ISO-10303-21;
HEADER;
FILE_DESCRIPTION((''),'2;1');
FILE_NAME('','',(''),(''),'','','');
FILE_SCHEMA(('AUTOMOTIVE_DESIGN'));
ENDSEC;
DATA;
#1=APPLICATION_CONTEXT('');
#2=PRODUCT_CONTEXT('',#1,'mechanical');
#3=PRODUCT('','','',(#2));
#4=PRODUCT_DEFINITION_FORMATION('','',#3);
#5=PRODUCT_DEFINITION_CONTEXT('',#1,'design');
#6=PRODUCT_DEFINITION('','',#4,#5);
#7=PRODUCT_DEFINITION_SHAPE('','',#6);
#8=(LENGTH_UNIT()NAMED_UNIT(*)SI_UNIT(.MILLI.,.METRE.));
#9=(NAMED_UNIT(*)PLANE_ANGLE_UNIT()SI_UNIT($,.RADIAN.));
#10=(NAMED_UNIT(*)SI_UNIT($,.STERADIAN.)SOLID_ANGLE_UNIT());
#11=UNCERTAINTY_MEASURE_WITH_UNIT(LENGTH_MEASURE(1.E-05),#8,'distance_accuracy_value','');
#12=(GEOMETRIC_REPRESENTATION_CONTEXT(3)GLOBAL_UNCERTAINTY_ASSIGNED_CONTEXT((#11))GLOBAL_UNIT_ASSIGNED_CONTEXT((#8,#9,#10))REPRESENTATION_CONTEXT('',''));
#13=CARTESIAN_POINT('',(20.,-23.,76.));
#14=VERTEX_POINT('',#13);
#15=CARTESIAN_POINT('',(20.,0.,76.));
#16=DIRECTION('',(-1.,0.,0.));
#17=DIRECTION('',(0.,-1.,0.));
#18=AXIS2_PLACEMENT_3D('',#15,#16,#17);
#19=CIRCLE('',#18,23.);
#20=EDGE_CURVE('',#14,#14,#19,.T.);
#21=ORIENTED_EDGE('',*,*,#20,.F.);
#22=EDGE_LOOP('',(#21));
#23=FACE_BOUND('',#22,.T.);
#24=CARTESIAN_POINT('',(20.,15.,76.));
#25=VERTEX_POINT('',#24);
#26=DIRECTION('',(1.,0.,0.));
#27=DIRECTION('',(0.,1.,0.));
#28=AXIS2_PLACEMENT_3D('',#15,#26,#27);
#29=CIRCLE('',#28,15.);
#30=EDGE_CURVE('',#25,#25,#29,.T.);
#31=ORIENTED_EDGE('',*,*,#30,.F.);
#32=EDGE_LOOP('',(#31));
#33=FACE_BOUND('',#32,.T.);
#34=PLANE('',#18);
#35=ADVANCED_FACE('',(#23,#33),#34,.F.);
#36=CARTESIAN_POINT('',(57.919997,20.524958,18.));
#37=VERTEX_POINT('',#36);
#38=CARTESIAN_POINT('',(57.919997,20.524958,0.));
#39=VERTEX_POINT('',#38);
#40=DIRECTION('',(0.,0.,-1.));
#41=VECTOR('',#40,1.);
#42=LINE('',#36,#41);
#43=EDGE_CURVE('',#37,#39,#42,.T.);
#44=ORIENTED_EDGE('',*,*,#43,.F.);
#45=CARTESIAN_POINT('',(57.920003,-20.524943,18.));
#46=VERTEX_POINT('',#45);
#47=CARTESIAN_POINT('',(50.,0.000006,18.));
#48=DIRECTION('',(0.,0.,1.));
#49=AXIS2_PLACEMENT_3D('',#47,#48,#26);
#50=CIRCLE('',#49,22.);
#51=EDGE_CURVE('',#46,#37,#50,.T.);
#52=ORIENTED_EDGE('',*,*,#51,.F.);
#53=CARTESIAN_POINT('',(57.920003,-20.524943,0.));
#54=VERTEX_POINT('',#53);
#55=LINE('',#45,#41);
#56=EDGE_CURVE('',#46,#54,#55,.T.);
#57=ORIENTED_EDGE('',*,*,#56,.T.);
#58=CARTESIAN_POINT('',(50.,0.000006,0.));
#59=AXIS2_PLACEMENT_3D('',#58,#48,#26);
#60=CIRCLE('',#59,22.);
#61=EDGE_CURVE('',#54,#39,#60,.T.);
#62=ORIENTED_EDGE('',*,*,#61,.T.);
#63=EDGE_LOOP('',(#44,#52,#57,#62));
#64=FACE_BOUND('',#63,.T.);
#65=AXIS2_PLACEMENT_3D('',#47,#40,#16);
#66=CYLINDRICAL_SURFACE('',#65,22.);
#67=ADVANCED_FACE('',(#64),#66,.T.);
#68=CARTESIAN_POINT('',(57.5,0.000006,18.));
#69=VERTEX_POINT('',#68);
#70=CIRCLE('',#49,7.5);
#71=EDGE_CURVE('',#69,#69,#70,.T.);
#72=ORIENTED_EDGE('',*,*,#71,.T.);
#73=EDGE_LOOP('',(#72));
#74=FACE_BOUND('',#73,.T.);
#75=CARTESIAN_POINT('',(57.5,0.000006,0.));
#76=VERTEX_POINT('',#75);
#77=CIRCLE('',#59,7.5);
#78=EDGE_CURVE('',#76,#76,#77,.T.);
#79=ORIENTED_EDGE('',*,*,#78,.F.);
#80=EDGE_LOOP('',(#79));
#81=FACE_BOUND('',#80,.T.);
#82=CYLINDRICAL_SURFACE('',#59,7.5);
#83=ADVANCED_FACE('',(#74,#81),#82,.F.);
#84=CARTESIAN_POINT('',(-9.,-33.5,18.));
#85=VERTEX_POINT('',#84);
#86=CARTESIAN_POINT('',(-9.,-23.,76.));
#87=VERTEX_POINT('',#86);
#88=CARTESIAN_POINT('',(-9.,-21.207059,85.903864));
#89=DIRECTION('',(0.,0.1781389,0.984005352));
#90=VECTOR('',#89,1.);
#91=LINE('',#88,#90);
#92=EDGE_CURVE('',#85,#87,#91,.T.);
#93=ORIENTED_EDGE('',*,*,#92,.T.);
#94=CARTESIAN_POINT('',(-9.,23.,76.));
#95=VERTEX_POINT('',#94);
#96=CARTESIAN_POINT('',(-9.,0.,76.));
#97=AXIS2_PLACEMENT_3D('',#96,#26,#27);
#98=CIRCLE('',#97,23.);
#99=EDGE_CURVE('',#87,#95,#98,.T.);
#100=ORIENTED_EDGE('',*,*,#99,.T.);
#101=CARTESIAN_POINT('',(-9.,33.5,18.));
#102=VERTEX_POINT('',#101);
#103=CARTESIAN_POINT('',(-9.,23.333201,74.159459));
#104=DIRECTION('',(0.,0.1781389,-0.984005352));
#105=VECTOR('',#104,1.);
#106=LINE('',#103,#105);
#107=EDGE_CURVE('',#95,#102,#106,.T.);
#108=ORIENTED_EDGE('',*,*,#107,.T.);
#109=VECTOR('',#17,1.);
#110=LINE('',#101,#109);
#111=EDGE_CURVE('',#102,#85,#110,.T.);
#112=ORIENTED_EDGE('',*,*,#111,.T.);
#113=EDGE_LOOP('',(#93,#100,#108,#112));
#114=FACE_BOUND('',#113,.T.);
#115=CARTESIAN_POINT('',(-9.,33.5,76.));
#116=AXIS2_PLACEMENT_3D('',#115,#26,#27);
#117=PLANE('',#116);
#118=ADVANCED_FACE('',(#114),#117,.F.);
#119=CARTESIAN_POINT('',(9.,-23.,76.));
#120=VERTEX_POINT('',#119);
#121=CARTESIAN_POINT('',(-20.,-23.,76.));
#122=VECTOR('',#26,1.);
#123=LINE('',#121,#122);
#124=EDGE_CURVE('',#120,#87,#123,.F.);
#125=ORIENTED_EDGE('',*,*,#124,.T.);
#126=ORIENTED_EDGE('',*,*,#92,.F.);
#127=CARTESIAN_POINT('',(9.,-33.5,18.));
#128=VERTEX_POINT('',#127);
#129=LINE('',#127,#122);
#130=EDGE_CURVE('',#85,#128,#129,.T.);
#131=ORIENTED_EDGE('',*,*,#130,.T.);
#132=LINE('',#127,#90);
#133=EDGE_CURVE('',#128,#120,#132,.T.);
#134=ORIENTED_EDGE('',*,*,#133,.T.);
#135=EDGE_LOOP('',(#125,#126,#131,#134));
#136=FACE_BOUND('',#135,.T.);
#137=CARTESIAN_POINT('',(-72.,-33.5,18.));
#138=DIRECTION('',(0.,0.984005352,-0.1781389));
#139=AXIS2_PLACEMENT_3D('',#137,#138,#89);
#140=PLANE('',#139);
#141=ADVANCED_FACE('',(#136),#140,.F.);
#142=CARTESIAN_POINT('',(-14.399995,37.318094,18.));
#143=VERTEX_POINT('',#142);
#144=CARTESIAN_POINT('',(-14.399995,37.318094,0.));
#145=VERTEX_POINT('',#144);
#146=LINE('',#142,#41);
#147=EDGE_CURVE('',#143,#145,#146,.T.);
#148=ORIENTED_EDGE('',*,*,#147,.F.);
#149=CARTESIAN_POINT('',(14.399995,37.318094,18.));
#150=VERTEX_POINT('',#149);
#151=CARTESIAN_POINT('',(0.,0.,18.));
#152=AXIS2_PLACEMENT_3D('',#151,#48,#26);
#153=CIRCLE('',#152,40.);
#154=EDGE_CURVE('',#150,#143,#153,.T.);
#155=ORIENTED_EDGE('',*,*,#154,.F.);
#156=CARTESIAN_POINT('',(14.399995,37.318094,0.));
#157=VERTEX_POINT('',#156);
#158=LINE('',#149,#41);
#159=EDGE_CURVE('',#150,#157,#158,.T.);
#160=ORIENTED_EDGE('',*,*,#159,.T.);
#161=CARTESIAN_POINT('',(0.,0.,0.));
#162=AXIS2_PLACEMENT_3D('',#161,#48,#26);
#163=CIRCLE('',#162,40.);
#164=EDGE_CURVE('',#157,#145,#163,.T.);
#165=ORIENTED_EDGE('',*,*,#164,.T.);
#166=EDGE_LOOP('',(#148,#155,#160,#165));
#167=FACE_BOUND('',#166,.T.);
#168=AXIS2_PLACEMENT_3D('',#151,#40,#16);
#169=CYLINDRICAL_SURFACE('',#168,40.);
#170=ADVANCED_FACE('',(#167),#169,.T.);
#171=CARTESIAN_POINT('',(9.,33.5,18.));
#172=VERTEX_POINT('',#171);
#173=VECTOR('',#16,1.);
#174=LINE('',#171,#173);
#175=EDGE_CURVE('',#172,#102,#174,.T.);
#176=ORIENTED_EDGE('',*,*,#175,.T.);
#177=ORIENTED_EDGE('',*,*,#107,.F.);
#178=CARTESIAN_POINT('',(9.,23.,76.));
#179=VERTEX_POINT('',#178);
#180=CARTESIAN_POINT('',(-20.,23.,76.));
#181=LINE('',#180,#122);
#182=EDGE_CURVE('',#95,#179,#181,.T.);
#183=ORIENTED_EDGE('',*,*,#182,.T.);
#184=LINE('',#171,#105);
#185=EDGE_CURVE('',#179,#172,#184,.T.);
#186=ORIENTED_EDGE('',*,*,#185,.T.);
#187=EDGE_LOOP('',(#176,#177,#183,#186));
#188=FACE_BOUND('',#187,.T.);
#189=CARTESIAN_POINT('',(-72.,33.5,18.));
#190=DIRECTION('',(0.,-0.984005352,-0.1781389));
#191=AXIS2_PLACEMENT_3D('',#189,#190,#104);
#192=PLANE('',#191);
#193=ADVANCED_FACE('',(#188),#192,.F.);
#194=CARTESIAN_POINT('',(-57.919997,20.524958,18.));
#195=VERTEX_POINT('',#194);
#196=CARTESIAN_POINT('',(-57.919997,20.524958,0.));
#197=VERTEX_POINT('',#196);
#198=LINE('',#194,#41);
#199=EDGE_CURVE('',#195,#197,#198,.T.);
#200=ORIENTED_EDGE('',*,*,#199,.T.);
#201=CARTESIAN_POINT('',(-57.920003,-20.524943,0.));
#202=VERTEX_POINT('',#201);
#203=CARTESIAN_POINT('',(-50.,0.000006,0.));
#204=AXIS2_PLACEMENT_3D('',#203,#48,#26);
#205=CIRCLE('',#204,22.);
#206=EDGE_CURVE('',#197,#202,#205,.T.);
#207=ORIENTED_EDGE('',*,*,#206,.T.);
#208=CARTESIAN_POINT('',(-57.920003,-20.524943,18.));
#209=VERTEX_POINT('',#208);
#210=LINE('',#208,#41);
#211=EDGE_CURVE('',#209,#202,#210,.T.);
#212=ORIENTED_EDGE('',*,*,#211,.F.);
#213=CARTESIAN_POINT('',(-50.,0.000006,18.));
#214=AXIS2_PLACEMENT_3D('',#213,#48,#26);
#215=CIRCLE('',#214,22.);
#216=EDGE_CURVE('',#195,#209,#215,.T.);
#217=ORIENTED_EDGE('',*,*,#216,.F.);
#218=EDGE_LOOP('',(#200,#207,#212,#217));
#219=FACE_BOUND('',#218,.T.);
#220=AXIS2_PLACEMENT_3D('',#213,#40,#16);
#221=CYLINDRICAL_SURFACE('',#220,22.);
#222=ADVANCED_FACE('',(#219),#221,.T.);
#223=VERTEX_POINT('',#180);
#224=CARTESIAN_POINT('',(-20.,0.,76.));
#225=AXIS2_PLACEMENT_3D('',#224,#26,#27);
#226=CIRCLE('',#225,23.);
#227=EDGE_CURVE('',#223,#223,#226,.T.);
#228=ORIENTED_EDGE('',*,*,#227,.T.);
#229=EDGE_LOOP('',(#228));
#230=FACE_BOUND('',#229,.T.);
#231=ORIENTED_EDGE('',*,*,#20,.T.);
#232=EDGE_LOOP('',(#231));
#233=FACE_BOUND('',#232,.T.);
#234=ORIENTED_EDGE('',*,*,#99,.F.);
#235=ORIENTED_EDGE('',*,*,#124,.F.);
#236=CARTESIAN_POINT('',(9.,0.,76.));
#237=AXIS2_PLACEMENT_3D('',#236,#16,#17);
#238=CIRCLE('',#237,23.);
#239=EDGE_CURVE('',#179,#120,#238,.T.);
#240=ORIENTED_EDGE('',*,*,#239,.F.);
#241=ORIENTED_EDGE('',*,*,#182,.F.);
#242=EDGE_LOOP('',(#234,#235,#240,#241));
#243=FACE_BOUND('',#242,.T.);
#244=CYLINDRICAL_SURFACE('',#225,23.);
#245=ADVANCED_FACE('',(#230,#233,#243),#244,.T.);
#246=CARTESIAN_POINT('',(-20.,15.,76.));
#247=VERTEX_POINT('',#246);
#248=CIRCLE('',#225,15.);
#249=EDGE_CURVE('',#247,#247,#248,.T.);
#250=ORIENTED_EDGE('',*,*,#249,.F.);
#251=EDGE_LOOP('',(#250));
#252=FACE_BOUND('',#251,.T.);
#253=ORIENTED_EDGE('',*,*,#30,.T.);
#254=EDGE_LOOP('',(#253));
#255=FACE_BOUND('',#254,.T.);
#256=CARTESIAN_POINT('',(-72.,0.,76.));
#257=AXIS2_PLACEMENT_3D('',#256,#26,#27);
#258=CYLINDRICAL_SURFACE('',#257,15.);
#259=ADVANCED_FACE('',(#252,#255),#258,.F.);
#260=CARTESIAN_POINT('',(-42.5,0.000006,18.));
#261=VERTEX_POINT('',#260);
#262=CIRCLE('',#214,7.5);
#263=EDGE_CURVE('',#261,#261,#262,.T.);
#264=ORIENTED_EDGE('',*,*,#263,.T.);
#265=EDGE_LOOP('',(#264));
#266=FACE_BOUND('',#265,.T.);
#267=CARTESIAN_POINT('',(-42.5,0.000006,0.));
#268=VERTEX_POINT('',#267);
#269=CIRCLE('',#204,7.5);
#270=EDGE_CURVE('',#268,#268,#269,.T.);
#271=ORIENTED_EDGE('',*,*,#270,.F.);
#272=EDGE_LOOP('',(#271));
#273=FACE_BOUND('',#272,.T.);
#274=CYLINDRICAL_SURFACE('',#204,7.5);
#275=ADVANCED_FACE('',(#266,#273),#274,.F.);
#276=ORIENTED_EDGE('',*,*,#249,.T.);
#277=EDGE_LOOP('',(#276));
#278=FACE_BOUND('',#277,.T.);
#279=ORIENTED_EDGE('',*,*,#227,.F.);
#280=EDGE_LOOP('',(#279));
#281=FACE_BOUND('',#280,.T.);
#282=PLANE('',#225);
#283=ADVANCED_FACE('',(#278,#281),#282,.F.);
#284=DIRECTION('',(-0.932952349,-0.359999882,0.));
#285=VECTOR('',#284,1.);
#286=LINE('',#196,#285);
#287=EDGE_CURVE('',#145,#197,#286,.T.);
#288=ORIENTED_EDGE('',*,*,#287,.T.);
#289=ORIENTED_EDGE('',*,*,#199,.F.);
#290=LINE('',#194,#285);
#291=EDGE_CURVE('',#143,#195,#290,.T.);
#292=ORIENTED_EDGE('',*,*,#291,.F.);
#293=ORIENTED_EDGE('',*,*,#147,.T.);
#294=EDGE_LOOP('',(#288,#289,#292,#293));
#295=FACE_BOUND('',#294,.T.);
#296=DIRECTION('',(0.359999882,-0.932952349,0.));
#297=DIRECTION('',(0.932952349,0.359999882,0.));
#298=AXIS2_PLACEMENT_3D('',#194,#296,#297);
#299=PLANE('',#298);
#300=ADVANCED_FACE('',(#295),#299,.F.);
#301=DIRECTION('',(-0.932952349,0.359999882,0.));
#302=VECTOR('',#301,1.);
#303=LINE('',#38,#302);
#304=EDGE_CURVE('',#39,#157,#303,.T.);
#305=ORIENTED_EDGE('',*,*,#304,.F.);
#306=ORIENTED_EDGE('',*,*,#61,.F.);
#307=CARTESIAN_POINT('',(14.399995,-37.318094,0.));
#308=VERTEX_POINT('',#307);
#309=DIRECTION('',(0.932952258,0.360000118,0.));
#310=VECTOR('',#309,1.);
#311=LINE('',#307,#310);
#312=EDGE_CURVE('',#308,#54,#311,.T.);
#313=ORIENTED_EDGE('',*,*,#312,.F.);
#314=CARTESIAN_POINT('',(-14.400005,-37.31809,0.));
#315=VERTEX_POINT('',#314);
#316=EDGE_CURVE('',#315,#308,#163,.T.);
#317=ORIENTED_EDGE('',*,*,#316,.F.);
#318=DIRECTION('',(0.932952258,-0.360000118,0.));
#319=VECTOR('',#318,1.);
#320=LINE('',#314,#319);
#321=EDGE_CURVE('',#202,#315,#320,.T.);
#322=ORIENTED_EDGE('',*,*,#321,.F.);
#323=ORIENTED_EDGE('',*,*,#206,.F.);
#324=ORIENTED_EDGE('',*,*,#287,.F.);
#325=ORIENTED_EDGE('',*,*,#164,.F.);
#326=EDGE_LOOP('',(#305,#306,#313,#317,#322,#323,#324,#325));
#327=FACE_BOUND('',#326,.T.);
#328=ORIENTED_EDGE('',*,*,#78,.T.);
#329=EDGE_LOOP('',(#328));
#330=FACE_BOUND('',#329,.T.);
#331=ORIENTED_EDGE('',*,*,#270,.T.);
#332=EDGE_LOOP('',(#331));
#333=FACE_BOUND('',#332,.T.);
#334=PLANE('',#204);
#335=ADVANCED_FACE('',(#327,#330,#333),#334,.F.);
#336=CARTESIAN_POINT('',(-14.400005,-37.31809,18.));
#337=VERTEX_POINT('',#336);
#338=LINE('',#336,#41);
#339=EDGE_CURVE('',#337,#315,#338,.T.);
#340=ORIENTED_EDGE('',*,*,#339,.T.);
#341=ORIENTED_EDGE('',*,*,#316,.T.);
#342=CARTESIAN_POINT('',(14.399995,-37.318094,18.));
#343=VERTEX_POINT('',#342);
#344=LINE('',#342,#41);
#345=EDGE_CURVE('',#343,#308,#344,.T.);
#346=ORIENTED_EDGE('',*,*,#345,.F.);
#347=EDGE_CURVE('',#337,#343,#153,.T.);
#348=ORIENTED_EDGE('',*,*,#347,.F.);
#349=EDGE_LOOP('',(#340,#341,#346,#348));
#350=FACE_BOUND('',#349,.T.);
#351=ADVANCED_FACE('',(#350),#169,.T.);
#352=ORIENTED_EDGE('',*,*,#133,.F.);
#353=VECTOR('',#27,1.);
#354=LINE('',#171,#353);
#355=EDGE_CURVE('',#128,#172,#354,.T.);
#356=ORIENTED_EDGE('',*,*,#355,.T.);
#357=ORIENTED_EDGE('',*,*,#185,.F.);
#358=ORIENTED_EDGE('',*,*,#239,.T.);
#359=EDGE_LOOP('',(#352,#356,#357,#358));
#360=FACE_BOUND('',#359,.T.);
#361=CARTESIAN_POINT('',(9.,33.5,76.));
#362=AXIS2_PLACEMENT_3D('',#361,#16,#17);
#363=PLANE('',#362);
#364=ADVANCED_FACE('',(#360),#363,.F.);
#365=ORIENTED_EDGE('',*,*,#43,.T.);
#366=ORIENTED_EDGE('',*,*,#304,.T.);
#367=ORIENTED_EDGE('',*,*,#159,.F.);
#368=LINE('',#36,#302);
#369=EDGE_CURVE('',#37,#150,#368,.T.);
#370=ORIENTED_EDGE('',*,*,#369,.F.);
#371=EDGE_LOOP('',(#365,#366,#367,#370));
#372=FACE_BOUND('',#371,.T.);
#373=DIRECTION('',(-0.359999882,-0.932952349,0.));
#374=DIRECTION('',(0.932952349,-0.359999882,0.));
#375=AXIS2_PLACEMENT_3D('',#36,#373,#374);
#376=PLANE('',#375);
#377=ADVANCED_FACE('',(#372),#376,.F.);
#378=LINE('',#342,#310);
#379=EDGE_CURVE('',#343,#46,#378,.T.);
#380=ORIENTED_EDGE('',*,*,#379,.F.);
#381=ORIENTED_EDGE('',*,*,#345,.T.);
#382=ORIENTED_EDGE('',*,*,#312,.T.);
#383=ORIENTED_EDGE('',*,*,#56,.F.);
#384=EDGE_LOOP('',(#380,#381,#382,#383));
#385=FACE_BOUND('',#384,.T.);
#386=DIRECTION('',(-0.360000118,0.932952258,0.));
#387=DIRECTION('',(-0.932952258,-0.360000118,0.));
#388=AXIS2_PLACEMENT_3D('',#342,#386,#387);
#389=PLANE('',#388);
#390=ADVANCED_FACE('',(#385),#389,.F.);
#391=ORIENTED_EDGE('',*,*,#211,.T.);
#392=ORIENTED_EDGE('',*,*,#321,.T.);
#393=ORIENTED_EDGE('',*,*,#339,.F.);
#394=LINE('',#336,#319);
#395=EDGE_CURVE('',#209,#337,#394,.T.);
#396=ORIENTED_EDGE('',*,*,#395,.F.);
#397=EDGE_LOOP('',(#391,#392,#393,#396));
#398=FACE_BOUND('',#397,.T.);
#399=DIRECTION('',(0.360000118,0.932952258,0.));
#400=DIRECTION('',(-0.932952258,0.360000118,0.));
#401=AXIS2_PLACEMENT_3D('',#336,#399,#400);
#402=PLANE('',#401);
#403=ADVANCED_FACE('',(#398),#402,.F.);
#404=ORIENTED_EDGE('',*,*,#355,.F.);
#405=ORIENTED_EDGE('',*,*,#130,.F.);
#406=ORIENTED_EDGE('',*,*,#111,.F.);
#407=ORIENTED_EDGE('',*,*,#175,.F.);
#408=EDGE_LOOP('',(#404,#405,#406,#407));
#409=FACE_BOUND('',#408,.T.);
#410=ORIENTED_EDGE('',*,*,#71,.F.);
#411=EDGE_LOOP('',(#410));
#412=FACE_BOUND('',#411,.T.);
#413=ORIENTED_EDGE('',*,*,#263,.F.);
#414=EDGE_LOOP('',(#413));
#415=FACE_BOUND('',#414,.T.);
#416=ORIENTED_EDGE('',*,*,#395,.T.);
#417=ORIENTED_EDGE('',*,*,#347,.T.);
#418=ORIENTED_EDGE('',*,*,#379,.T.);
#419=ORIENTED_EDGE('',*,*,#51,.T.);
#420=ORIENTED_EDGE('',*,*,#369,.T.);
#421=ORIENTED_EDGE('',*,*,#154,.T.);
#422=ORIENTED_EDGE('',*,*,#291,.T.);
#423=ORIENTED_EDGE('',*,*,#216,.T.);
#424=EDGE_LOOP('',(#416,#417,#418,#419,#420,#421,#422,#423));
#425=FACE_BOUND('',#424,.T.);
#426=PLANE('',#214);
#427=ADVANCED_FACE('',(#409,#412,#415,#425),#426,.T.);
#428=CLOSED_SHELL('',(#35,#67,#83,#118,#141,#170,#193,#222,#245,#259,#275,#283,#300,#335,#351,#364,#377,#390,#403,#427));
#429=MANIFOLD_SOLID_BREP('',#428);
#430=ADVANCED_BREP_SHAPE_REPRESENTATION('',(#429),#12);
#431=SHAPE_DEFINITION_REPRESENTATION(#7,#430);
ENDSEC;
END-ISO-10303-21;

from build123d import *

# Parameters (mm, degrees)
BOSS_EXTRUDE1_DEPTH = 18
SKETCH3_W           = 18
SKETCH3_H           = 67
BOSS_EXTRUDE2_DEPTH = 58
SKETCH4_R           = 23
BOSS_EXTRUDE3_DEPTH = 29
BOSS_EXTRUDE4_START = -40
SKETCH5_R           = 23
BOSS_EXTRUDE4_DEPTH = 40
SKETCH6_R           = 15
CUT_EXTRUDE1_DEPTH  = 141.943250991
CUT_EXTRUDE2_DEPTH  = 135.02238619
SKETCH8_R           = 7.5
CUT_EXTRUDE3_DEPTH  = 116.52056094


with BuildPart() as part:
    # Sketch2 → Boss-Extrude1 (new body)
    with BuildSketch(Plane.XY):
        with BuildLine():
            Line((-57.919997401, 20.524958004), (-14.399995275, 37.31809395))
            ThreePointArc((-14.399995275, 37.31809395), (0, 40), (14.399995275, 37.31809395))
            Line((14.399995275, 37.31809395), (57.919997401, 20.524958004))
            ThreePointArc((57.919997401, 20.524958004), (72, 9.117e-06), (57.920002599, -20.524943336))
            Line((57.920002599, -20.524943336), (14.399995275, -37.31809395))
            ThreePointArc((14.399995275, -37.31809395), (-5.065e-06, -40), (-14.400004725, -37.318090304))
            Line((-14.400004725, -37.318090304), (-57.920002599, -20.524943336))
            ThreePointArc((-57.920002599, -20.524943336), (-72, 9.117e-06), (-57.919997401, 20.524958004))
        make_face()
    extrude(amount=BOSS_EXTRUDE1_DEPTH)

    # Sketch3 → Boss-Extrude2 (add)
    with BuildSketch(Plane.XY.offset(18)):
        Rectangle(SKETCH3_W, SKETCH3_H)
    extrude(amount=BOSS_EXTRUDE2_DEPTH)

    # Sketch4 → Boss-Extrude3 (add)
    with BuildSketch(Plane(origin=(9, 0, 0), x_dir=(0, 0, -1), z_dir=(1, 0, 0))):
        with Locations(Location((-76, 0, 0), (0, 0, 90))):
            Circle(SKETCH4_R)
    extrude(amount=-BOSS_EXTRUDE3_DEPTH)

    # Sketch5 → Boss-Extrude4 (add)
    with BuildSketch(Plane.ZY.offset(20).offset(BOSS_EXTRUDE4_START)):
        with Locations(Location((76, 0, 0), (0, 0, 90))):
            Circle(SKETCH5_R)
    extrude(amount=BOSS_EXTRUDE4_DEPTH)

    # Sketch6 → Cut-Extrude1 (cut, through all)
    with BuildSketch(Plane(origin=(20, 0, 0), x_dir=(0, 0, -1), z_dir=(1, 0, 0))):
        with Locations(Location((-76, 0, 0), (0, 0, 90))):
            Circle(SKETCH6_R)
    extrude(amount=-CUT_EXTRUDE1_DEPTH, mode=Mode.SUBTRACT)

    # Sketch7 → Cut-Extrude2 (cut, through all)
    with BuildSketch(Plane(origin=(9, 0, 0), x_dir=(0, 0, -1), z_dir=(1, 0, 0))):
        Polygon((-18, -33.5), (-76, -23), (-76, -33.5), align=None)
        Polygon((-18, 33.5), (-76, 23), (-76, 33.5), align=None)
    extrude(amount=-CUT_EXTRUDE2_DEPTH, mode=Mode.SUBTRACT)

    # Sketch8 → Cut-Extrude3 (cut, through all)
    with BuildSketch(Plane.XY.offset(18)):
        with Locations((50, 6.331e-06)):
            Circle(SKETCH8_R)
        with Locations((-50, 6.331e-06)):
            Circle(SKETCH8_R)
    extrude(amount=-CUT_EXTRUDE3_DEPTH, mode=Mode.SUBTRACT)


solid = part.part
